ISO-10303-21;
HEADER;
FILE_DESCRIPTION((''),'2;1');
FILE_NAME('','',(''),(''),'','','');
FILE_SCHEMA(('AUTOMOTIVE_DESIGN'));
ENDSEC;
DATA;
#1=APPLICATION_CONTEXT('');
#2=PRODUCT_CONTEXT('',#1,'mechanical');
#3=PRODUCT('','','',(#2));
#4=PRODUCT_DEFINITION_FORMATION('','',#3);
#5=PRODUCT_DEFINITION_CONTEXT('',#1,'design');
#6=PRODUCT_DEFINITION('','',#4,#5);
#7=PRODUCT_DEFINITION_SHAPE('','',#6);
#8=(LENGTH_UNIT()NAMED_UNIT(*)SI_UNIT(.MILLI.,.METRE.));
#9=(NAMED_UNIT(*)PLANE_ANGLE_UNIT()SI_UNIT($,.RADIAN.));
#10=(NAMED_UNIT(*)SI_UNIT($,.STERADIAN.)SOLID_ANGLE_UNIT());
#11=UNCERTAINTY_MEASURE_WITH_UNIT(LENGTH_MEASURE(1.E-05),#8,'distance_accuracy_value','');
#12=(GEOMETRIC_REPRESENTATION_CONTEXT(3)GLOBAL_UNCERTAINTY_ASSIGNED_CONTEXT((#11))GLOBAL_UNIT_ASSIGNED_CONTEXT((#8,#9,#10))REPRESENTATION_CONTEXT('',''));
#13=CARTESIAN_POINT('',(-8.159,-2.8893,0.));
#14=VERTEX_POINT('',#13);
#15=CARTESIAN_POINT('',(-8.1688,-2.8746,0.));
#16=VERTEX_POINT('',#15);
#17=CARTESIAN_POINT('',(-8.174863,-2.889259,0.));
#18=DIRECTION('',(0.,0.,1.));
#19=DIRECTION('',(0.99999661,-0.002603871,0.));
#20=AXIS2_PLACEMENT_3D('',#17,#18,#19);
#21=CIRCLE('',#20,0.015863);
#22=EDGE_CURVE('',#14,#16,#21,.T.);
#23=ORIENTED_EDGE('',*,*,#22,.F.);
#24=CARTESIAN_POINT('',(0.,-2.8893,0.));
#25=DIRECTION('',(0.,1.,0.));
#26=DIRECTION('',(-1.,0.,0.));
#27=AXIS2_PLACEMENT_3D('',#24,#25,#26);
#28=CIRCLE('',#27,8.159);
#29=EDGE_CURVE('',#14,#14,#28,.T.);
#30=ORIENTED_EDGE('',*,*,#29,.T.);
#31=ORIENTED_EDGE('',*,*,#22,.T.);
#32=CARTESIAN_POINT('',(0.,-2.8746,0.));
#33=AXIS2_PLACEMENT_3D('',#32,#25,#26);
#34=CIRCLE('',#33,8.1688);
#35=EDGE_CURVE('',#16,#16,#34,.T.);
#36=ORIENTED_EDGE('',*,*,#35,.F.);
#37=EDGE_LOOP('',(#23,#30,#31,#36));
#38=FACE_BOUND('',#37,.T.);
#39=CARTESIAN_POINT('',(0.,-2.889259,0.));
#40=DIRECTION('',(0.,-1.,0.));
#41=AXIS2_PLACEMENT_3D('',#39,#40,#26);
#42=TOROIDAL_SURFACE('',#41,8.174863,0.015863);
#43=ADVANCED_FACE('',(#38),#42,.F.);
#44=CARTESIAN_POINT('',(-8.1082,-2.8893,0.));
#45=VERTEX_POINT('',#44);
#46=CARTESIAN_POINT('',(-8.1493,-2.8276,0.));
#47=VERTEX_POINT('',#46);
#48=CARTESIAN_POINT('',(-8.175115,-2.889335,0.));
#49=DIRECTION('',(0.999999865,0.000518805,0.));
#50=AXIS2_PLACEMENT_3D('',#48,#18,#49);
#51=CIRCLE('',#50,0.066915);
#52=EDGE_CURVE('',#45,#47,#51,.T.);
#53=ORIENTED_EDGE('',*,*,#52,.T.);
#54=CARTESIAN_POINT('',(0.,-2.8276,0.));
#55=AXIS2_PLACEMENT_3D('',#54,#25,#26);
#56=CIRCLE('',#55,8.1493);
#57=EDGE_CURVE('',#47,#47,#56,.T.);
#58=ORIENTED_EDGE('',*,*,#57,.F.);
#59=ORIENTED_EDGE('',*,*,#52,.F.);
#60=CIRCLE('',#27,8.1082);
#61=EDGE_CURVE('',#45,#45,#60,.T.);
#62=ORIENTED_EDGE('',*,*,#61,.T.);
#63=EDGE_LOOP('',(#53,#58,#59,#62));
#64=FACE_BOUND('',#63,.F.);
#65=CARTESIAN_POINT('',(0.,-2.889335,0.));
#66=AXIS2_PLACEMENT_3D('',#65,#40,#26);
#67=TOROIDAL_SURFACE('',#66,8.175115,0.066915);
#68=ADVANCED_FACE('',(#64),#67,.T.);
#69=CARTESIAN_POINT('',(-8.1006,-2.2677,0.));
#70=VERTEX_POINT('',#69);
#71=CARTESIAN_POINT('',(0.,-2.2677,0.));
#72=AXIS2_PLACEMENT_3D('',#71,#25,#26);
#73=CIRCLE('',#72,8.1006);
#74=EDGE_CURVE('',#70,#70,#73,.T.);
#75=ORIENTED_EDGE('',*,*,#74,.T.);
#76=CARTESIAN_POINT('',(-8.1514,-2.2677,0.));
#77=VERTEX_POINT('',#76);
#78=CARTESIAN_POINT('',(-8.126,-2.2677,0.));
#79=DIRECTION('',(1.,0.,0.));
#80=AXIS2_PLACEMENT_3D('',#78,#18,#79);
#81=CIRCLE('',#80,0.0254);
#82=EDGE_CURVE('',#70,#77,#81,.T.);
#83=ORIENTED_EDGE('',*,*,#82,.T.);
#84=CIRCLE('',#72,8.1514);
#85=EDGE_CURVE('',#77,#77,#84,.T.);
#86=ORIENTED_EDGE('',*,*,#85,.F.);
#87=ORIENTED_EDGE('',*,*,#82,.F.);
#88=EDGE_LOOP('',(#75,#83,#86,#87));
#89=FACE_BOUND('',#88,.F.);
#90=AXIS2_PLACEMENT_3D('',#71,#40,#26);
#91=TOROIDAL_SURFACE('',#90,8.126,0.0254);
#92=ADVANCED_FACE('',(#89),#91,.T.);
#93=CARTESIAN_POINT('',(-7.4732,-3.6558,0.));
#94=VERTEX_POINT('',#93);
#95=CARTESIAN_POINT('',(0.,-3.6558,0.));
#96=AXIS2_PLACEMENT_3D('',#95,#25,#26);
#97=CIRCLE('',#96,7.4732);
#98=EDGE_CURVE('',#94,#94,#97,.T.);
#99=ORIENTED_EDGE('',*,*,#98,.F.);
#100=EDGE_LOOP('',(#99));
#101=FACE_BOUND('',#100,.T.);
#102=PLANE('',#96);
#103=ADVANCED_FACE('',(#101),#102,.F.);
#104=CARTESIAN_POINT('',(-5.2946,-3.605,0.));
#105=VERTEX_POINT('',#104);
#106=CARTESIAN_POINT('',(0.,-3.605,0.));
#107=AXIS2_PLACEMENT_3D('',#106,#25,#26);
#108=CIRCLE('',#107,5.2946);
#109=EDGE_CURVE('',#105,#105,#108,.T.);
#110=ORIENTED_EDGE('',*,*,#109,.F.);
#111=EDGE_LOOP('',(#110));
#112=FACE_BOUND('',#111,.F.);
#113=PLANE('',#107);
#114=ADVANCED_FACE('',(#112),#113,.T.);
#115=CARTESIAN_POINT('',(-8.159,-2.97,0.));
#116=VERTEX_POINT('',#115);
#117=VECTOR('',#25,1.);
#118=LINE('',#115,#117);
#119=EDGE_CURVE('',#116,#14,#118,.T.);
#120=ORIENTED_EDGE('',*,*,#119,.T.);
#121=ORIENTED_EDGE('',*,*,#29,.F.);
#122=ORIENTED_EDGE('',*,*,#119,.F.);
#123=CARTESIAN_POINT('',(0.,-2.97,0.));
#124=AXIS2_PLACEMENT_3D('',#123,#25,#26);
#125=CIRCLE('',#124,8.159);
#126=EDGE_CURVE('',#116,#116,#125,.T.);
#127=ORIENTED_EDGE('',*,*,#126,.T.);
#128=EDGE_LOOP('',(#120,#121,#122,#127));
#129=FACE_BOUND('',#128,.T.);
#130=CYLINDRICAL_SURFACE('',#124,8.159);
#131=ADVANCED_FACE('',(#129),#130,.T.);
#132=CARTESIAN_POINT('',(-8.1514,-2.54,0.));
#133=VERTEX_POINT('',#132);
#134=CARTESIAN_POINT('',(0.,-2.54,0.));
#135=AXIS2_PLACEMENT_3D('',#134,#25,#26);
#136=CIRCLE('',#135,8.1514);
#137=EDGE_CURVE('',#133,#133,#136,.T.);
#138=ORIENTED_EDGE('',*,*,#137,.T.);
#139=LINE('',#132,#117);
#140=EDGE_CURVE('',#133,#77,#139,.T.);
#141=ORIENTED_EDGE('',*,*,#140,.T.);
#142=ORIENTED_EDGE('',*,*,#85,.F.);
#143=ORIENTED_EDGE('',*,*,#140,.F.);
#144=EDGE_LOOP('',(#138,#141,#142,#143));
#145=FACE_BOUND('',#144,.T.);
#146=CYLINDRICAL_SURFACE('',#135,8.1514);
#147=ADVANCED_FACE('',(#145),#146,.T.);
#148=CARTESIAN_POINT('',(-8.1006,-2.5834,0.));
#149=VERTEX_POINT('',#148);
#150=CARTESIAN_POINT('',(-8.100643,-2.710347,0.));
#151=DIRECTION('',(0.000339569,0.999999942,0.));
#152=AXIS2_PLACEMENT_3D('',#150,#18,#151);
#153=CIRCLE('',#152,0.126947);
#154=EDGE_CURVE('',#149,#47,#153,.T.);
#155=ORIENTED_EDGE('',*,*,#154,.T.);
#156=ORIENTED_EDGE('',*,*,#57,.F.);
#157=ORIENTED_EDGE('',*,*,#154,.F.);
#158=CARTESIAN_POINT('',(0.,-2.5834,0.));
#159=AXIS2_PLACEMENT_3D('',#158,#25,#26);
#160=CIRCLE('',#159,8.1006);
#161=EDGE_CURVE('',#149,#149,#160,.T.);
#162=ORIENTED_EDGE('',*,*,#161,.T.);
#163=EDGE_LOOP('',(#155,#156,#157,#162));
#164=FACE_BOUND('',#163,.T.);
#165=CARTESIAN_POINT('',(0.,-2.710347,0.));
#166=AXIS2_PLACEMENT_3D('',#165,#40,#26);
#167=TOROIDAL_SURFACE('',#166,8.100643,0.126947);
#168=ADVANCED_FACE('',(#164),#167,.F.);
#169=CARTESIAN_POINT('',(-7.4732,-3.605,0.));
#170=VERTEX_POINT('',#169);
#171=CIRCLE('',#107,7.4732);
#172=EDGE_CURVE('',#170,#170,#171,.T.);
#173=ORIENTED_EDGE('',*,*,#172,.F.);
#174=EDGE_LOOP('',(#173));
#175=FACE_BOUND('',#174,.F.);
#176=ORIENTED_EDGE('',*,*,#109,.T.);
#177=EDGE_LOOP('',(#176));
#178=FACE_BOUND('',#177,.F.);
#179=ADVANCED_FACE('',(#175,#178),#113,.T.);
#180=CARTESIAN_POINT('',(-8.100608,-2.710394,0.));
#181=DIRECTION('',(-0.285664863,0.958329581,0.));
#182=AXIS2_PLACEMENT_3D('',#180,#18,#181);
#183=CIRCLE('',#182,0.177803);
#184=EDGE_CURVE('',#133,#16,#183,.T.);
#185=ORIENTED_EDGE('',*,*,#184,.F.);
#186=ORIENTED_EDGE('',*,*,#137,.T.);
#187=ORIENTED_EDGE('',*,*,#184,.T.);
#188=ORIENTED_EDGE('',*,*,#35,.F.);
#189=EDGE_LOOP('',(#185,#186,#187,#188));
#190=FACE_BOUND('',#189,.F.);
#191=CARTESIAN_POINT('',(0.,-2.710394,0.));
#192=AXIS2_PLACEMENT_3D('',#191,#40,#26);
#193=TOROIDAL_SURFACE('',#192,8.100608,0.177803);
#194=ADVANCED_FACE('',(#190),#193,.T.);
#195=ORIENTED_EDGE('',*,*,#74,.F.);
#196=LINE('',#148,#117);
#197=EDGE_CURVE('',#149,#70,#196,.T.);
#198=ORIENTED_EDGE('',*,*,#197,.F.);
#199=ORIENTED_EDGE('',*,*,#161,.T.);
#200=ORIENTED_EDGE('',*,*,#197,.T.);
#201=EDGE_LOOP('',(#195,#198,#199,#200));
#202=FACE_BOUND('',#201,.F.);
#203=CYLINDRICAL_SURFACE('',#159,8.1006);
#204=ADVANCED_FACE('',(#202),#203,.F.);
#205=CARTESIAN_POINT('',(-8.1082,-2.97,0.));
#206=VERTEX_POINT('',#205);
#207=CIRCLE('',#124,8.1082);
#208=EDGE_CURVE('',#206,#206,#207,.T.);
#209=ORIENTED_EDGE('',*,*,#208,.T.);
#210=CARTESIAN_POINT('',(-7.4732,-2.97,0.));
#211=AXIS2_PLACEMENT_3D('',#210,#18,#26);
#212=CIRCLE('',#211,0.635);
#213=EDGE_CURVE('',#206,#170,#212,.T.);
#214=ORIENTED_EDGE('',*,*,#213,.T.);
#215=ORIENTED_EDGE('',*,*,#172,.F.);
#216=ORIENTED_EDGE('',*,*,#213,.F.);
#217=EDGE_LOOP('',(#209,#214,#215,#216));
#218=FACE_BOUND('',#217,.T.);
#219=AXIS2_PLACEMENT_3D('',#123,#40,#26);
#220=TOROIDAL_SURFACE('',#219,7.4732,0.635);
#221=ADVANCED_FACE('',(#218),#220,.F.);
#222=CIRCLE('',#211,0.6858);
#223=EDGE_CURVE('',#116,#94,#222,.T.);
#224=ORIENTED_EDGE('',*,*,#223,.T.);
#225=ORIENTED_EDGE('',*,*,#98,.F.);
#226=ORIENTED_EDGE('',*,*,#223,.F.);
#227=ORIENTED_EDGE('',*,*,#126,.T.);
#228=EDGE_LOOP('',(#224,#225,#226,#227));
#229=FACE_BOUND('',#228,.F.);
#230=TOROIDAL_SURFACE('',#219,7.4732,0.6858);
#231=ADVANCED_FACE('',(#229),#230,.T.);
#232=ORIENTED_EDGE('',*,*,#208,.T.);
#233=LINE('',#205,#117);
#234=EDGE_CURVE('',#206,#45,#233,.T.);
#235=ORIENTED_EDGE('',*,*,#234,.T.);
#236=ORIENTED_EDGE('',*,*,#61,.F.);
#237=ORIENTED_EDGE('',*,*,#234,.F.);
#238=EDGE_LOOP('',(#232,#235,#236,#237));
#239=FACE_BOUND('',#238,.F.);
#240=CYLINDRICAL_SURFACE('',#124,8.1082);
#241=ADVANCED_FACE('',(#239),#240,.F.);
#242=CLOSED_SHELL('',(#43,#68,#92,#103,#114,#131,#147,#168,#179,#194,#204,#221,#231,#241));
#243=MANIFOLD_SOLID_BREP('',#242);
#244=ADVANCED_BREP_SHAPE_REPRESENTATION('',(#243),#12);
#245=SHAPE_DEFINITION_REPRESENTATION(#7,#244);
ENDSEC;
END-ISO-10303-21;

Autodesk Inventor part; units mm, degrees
ref_plane "YZ Plane" through (0, 0, 0) normal (1, 0, 0) x (0, 1, 0)
ref_plane "XZ Plane" through (0, 0, 0) normal (0, 1, 0) x (-1, 0, 0)
ref_plane "XY Plane" through (0, 0, 0) normal (0, 0, 1) x (1, 0, 0)
sketch "Sketch1" plane through (0, 0, 0) normal (0, 0, 1) x (1, 0, 0)
  line L0 (8.1006, -2.5834) -> (-8.1006, -2.5834) projected
  arc A0 (-8.1006, -2.5834) -> (-8.1493, -2.8276) centre (-8.1006, -2.7104) ccw
  line L1 (1.4612, -3.605) -> (-5.2946, -3.605) projected
  line L2 (0, -3.605) -> (-7.4732, -3.605)
  line L3 (-8.1082, -2.97) -> (-8.1082, -2.8893)
  arc A1 (-8.1082, -2.97) -> (-7.4732, -3.605) centre (-7.4732, -2.97) ccw
  arc A2 (-8.1082, -2.8893) -> (-8.1493, -2.8276) centre (-8.175, -2.8893) ccw
  line L4 (8.1006, -2.8374) -> (-6.8522, -2.8374)
  line L5 (-8.1006, -2.5834) -> (-8.1006, -2.2677)
  line L6 (0, -3.6558) -> (-7.4732, -3.6558)
  arc A3 (-8.159, -2.97) -> (-7.4732, -3.6558) centre (-7.4732, -2.97) ccw
  line L7 (-8.159, -2.97) -> (-8.159, -2.8893)
  arc A4 (-8.159, -2.8893) -> (-8.1688, -2.8746) centre (-8.175, -2.8893) ccw
  arc A5 (-8.1514, -2.54) -> (-8.1688, -2.8746) centre (-8.1006, -2.7104) ccw
  line L8 (-8.1514, -2.54) -> (-8.1514, -2.2677)
  arc A6 (-8.1006, -2.2677) -> (-8.1514, -2.2677) centre (-8.126, -2.2677) ccw
  line L9 (0, -3.6558) -> (0, -3.605)
  point P0 (0, 0)
  point P1 (-8.1082, -3.605)
  dimension "d0" = 0.635
  dimension "d1" = 0.0508
revolve "Revolution1" add sketch "Sketch1" angle 360 about axis through (0, -3.6558, 0) along (0, 1, 0)
properties part number "DisceepSL_CaseBottom" material "Polycarbonate, Smoke"
